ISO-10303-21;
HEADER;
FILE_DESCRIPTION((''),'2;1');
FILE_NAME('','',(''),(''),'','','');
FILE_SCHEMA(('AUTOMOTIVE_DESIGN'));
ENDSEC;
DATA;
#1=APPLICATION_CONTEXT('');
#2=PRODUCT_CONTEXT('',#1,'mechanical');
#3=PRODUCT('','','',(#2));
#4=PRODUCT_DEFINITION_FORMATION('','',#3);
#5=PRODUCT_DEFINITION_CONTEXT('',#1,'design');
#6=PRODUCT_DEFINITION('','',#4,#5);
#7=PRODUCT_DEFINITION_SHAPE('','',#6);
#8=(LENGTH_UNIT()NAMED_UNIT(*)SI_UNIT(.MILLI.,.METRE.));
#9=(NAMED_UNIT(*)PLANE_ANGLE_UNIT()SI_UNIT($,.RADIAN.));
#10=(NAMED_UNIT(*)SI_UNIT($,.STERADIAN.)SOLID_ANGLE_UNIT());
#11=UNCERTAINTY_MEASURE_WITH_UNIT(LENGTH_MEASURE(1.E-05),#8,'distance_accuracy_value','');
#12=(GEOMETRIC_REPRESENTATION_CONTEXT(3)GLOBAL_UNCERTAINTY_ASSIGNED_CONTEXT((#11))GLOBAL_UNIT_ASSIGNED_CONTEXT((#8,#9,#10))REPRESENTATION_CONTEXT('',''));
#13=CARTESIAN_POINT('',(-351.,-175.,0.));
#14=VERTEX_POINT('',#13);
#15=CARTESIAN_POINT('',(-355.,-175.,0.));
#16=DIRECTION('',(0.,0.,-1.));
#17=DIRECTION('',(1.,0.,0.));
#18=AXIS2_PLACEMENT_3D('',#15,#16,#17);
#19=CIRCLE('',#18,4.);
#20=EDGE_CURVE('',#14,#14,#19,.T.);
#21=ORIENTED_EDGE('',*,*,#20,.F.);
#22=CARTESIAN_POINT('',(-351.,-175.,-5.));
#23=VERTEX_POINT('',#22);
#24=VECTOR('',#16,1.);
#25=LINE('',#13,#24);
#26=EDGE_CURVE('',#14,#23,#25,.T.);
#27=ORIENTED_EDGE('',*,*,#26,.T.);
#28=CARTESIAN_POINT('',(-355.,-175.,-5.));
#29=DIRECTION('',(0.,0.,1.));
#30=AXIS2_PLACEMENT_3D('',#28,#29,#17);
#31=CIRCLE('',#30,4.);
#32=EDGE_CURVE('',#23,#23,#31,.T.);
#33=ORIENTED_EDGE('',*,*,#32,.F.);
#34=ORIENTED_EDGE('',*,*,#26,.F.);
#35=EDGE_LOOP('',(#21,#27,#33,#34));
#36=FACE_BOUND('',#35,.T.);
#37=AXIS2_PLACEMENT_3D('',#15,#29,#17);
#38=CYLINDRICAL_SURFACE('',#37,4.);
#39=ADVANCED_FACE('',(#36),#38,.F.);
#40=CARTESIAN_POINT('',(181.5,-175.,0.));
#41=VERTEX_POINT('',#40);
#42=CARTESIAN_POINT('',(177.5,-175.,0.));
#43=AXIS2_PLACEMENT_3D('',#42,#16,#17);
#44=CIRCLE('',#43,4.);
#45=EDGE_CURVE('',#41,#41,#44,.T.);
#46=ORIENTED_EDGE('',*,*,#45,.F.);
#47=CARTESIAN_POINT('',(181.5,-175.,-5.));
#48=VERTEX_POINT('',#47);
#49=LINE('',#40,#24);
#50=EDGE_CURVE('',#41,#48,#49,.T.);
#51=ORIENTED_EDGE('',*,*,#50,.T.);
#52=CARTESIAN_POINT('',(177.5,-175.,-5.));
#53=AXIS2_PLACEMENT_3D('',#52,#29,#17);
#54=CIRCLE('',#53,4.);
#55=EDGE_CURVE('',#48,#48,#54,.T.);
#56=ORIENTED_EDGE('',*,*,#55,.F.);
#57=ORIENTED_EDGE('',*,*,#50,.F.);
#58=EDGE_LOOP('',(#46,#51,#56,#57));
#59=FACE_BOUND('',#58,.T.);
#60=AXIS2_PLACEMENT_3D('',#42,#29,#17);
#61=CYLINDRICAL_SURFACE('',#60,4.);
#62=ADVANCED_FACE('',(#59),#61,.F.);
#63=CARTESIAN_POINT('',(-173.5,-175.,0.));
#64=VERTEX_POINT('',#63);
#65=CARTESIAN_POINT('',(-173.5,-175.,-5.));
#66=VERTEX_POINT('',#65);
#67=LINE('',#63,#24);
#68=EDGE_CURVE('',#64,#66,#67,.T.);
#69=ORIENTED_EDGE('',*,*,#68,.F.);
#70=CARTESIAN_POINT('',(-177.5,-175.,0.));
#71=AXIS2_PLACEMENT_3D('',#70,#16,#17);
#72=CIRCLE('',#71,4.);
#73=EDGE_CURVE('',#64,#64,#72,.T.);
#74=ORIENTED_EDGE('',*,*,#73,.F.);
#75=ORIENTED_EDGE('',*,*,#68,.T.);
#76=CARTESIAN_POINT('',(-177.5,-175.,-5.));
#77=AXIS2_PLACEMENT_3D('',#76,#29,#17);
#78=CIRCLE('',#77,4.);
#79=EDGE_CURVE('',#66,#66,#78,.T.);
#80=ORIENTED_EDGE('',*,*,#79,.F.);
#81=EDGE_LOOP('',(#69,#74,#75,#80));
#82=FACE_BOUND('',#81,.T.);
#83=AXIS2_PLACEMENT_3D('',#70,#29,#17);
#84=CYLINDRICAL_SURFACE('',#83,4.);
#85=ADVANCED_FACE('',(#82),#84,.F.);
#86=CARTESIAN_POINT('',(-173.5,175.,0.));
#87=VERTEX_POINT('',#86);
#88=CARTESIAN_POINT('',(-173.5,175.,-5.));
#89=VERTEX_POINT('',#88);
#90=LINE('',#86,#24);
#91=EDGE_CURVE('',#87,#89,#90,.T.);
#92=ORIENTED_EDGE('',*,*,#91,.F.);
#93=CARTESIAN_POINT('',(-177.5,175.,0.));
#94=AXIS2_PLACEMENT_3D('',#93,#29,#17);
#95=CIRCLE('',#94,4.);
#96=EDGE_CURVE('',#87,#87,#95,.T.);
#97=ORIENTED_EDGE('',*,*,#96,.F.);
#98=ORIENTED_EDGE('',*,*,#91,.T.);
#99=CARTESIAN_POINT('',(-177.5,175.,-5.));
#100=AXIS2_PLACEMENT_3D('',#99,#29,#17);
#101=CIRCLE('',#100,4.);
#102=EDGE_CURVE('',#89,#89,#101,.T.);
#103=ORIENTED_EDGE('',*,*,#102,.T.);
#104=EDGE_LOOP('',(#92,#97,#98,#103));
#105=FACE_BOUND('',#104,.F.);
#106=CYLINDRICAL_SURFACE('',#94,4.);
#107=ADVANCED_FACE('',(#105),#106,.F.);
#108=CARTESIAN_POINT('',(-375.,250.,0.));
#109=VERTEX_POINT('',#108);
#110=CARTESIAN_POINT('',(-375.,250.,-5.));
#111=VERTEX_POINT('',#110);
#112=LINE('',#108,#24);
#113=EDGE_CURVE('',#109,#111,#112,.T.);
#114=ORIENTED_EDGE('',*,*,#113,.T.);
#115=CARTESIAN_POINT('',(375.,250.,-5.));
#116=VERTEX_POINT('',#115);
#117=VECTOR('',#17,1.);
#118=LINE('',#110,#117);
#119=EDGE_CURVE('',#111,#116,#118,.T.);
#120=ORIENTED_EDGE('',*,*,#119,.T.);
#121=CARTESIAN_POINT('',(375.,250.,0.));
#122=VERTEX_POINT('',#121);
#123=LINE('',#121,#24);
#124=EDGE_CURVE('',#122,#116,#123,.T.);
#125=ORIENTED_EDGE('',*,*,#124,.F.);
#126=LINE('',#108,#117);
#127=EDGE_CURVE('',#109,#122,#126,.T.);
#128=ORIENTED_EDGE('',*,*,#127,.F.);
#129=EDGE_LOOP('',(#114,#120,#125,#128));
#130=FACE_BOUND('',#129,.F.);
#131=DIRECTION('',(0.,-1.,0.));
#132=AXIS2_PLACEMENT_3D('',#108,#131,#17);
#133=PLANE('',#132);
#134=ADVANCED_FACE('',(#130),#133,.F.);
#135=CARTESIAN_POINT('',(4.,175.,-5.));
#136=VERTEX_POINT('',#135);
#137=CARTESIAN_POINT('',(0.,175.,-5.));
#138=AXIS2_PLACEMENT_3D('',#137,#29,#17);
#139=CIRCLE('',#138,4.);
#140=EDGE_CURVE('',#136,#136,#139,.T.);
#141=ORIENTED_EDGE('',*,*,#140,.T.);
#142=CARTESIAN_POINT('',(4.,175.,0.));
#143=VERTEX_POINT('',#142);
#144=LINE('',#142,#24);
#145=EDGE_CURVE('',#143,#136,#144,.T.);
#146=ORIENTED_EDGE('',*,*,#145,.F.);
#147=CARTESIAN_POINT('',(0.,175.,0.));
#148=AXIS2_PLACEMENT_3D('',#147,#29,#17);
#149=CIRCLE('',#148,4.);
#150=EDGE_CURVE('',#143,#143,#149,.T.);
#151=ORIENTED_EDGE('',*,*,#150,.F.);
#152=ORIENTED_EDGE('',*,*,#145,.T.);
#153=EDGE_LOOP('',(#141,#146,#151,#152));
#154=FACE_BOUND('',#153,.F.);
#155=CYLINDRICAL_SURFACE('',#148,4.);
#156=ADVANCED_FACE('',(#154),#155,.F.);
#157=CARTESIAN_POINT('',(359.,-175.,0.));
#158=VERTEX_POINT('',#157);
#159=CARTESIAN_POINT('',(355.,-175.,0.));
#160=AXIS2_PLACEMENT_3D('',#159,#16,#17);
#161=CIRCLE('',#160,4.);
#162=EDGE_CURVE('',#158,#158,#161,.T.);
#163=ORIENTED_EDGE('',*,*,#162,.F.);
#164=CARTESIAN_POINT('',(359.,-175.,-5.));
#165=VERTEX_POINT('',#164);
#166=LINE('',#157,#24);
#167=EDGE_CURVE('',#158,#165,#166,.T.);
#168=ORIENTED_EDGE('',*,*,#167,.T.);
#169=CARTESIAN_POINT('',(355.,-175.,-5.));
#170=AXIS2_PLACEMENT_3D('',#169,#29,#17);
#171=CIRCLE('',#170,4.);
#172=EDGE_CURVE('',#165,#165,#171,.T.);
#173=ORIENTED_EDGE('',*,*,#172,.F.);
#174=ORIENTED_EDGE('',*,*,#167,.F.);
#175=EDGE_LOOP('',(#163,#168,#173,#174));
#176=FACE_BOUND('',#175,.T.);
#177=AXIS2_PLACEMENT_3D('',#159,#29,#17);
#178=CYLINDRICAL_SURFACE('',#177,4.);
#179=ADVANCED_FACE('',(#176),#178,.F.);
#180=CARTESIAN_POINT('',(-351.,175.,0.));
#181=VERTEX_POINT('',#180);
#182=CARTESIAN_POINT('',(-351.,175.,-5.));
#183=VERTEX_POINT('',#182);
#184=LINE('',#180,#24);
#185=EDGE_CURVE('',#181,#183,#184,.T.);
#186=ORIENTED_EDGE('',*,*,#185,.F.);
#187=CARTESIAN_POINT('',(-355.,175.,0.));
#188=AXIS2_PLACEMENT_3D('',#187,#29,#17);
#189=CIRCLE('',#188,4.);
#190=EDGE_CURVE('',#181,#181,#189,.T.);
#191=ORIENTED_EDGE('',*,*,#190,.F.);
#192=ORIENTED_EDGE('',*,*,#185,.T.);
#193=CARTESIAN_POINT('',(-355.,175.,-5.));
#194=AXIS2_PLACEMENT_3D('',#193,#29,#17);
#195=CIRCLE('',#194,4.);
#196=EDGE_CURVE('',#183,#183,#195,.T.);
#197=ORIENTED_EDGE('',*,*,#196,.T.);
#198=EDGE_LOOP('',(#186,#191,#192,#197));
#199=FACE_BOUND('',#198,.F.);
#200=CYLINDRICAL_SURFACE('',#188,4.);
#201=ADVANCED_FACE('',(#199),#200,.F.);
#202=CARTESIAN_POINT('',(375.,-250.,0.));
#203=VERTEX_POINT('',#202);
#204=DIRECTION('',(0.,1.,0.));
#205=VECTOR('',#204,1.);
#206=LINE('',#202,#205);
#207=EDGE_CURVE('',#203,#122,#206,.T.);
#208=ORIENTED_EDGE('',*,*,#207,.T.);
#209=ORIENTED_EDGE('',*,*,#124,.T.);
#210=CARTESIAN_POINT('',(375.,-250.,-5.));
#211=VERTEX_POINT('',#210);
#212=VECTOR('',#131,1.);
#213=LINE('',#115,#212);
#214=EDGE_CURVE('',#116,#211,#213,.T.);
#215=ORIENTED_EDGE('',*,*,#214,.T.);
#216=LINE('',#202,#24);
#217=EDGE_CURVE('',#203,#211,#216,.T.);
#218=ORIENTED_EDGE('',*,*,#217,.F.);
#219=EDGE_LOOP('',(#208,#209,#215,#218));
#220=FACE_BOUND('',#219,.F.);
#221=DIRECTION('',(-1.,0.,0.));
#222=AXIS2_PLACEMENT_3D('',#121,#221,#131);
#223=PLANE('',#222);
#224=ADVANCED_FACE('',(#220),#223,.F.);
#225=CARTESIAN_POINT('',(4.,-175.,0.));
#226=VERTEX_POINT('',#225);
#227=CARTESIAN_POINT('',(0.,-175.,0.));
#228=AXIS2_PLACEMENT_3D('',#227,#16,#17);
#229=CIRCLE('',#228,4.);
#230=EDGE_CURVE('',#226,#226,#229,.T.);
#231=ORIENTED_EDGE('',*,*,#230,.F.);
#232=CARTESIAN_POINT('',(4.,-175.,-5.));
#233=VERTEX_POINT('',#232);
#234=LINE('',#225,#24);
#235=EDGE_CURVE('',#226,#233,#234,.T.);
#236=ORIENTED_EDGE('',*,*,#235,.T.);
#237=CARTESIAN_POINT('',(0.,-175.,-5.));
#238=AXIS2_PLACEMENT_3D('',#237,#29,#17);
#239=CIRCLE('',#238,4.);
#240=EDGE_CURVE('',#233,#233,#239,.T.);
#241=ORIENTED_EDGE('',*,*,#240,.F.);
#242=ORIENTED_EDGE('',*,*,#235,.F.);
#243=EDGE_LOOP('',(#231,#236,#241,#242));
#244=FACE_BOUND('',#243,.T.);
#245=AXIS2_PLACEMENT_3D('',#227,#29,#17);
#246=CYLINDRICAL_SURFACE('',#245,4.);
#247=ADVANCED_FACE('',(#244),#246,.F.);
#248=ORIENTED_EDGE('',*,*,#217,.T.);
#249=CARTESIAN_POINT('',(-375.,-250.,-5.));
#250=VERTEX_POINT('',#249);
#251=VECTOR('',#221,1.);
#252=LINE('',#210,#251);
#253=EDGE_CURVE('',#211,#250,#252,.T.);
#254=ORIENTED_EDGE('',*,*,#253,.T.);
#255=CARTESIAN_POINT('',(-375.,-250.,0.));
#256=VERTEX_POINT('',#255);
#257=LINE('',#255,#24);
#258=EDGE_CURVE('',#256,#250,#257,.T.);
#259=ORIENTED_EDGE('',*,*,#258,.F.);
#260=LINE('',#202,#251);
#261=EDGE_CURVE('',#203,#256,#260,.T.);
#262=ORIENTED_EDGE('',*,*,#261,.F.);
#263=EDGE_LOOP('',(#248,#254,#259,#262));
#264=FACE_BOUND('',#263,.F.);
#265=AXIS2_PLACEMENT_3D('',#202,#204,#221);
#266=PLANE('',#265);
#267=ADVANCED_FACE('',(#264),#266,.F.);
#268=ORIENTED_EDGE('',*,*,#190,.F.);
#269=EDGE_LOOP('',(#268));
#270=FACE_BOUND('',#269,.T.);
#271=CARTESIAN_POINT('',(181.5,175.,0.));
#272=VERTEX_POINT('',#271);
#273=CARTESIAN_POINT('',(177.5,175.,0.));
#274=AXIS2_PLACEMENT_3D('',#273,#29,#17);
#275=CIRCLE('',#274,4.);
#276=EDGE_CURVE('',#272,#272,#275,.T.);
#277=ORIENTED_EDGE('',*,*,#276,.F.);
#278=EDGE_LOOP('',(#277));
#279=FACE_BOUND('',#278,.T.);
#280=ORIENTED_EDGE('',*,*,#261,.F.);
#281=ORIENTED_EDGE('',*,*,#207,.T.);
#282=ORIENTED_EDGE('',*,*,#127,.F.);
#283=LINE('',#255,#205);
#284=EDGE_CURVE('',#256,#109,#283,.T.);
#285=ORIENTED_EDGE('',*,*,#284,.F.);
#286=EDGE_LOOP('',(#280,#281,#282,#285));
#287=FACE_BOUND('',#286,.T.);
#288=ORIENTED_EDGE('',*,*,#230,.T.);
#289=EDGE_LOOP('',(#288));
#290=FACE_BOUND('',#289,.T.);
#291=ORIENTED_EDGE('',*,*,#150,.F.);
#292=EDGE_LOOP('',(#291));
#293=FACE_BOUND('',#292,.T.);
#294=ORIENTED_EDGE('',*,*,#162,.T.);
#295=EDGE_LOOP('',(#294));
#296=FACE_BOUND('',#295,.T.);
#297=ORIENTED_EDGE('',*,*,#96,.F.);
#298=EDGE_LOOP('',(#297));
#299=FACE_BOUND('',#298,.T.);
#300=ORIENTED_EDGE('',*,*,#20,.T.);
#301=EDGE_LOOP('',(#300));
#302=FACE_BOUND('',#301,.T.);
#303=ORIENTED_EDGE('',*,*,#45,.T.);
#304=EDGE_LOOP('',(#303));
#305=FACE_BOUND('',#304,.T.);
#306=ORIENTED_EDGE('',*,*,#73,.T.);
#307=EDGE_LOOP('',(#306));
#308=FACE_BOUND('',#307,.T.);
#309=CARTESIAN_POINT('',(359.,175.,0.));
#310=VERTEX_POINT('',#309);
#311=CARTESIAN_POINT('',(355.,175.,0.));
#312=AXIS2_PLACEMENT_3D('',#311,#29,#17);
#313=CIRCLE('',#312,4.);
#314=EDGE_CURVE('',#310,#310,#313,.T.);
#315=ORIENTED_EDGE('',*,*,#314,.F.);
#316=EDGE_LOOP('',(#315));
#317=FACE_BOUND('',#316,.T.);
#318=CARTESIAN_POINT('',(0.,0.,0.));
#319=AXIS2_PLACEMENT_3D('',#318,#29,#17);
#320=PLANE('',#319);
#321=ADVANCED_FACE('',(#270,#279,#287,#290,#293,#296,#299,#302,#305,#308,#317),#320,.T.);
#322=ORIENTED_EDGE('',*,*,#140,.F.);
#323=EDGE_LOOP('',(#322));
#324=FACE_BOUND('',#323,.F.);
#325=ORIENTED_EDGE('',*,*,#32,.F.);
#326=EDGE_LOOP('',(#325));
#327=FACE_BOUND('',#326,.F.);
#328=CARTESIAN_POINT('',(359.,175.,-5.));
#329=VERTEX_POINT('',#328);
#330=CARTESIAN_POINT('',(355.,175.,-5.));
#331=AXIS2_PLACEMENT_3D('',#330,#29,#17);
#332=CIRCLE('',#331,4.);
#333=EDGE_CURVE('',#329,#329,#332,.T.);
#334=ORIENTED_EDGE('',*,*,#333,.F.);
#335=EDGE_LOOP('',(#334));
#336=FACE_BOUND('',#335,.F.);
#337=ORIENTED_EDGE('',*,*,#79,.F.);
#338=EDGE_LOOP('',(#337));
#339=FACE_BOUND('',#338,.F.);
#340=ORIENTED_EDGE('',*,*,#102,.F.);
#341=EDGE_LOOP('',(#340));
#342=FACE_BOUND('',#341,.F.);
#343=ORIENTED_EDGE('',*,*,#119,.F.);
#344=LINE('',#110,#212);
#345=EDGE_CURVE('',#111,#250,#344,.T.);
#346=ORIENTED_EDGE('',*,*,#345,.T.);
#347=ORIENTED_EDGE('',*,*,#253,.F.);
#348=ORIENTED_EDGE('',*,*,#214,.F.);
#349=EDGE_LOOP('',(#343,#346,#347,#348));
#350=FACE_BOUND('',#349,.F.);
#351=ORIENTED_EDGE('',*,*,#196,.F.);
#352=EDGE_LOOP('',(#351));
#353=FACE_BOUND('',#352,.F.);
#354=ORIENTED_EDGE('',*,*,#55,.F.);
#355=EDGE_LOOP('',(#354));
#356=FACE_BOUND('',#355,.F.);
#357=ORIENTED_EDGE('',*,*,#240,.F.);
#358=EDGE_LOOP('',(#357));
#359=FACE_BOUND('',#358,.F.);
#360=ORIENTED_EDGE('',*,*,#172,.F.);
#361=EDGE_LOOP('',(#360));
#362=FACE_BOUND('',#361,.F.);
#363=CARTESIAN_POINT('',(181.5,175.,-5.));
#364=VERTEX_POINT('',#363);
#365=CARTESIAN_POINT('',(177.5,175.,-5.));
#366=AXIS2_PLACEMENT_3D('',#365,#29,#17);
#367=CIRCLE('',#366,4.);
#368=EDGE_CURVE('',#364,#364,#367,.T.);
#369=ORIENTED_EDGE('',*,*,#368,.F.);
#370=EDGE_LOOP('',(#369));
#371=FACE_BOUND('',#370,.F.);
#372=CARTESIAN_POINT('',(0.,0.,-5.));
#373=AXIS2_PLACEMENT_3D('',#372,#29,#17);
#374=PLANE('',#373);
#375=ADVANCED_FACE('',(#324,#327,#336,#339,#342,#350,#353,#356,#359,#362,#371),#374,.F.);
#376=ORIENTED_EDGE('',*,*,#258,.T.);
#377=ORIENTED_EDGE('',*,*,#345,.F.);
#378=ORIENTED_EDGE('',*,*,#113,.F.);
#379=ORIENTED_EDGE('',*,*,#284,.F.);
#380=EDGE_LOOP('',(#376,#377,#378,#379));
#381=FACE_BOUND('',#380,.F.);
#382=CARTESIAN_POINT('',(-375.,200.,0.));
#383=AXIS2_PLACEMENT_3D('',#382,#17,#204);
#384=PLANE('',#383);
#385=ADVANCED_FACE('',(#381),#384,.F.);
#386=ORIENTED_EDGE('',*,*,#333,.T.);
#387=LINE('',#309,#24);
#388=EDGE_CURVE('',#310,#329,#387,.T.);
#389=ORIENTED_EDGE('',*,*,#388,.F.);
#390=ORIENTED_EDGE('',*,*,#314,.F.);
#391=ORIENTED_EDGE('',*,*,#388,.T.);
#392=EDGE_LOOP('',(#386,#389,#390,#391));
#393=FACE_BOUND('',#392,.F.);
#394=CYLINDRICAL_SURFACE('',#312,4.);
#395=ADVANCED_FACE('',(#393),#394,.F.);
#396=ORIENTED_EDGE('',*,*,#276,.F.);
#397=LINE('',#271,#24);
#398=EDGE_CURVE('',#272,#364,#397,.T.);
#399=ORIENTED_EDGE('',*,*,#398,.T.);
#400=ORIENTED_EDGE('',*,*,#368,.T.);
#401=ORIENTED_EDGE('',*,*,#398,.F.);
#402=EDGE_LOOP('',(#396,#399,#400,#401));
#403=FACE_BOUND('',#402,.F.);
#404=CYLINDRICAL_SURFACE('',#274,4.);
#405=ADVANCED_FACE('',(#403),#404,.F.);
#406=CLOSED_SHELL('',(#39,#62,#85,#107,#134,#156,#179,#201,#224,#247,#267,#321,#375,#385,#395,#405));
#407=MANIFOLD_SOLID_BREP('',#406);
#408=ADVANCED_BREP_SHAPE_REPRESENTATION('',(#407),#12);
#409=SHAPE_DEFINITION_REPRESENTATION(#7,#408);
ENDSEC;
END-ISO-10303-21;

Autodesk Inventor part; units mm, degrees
ref_plane "YZ Plane" through (0, 0, 0) normal (1, 0, 0) x (0, 1, 0)
ref_plane "XZ Plane" through (0, 0, 0) normal (0, 1, 0) x (-1, 0, 0)
ref_plane "XY Plane" through (0, 0, 0) normal (0, 0, 1) x (1, 0, 0)
sketch "base_layout_sketch" plane through (0, 0, 0) normal (0, 0, 1) x (1, 0, 0)
  line L0 (-375, 200) -> (375, 200)
  line L1 (375, 200) -> (375, -200)
  line L2 (375, -200) -> (-375, -200)
  line L3 (-375, -200) -> (-375, 200)
  line L4 (0, 200) -> (0, -200) construction
  line L5 (-375, 150) -> (375, 150)
  line L6 (375, 150) -> (375, -150)
  line L7 (375, -150) -> (-375, -150)
  line L8 (-375, -150) -> (-375, 150)
  line L9 (0, 150) -> (0, -150) construction
  line L10 (-375, 250) -> (375, 250)
  line L11 (375, 250) -> (375, -250)
  line L12 (375, -250) -> (-375, -250)
  line L13 (-375, -250) -> (-375, 250)
  line L14 (0, 250) -> (0, -250) construction
  point P0 (0, 0)
  point P1 (0, 0)
  point P2 (-375, 200)
  point P3 (-375, -200)
  point P4 (375, -200)
  point P5 (375, 200)
  dimension "d0" = 400
  dimension "d1" = 750
  dimension "d2" = 300
  dimension "d4" = 500
sketch "bolt_holes_sketch" plane through (0, 0, 0) normal (0, 0, 1) x (1, 0, 0)
  circle A0 centre (-355, 175) radius 4
  line L0 (-375, 250) -> (375, 250) projected
  line L1 (-375, -250) -> (-375, 250) projected
  line L2 (-560, 0) -> (560, 0) projected
  point P0 (0, 0)
  dimension "d3" = 8
  dimension "d6" = 20
  dimension "d21" = 175
extrude "sheet_visualisation" add sketch "base_layout_sketch" against normal blind 5
extrude "bolt_holes Cut" cut sketch "bolt_holes_sketch" against normal through all
pattern_linear "bolt_holes_upper Pattern" count 5 spacing 177.5 along (1, 0, 0) of "bolt_holes Cut"
mirror "bolt_holes Mirror" about plane through (0, 0, 0) normal (0, 1, 0) of "bolt_holes Cut", "bolt_holes_upper Pattern"
equation "\"d0\" = layer_width"
equation "\"d1\" = track_length"
equation "\"d2\" = track_width"
equation "\"d4\" = real_sheet_width"
equation "\"d3\" = bolt_diameter"
equation "\"d6\" = x_offset_for_bolts"
equation "\"d21\" = y_offset_for_bolts"
equation "\"d14\" = sheet_thickness"
equation "\"track_length\" = 750"
equation "\"layer_width\" = 400"
equation "\"bolt_diameter\" = 8"
equation "\"real_sheet_width\" = 500"
equation "\"x_offset_for_bolts\" = 20"
equation "\"y_offset_for_bolts\" = 175"
equation "\"sheet_thickness\" = 5"
equation "\"track_width\" = 300"
equation "\"ferrite_length\" = 109"
equation "\"ferrite_width\" = 15"
equation "\"ferrite_height\" = 8"
equation "\"edge_gap_distance\" = 14.5"
equation "\"wire_diameter\" = 4.5"
equation "\"distance_between_wires\" = -1.2 * wire_diameter + 0.2 * parameter_6"
equation "\"distance_between_wires_edge\" = -1.5 * wire_diameter + 0.5 * parameter_2"
equation "\"bend_radius_inner\" = 15"
equation "\"wall_thickness\" = 25"
equation "\"parameter_6\" = 120"
equation "\"parameter_2\" = 30"
properties part number "bolt_holes_for_all"
